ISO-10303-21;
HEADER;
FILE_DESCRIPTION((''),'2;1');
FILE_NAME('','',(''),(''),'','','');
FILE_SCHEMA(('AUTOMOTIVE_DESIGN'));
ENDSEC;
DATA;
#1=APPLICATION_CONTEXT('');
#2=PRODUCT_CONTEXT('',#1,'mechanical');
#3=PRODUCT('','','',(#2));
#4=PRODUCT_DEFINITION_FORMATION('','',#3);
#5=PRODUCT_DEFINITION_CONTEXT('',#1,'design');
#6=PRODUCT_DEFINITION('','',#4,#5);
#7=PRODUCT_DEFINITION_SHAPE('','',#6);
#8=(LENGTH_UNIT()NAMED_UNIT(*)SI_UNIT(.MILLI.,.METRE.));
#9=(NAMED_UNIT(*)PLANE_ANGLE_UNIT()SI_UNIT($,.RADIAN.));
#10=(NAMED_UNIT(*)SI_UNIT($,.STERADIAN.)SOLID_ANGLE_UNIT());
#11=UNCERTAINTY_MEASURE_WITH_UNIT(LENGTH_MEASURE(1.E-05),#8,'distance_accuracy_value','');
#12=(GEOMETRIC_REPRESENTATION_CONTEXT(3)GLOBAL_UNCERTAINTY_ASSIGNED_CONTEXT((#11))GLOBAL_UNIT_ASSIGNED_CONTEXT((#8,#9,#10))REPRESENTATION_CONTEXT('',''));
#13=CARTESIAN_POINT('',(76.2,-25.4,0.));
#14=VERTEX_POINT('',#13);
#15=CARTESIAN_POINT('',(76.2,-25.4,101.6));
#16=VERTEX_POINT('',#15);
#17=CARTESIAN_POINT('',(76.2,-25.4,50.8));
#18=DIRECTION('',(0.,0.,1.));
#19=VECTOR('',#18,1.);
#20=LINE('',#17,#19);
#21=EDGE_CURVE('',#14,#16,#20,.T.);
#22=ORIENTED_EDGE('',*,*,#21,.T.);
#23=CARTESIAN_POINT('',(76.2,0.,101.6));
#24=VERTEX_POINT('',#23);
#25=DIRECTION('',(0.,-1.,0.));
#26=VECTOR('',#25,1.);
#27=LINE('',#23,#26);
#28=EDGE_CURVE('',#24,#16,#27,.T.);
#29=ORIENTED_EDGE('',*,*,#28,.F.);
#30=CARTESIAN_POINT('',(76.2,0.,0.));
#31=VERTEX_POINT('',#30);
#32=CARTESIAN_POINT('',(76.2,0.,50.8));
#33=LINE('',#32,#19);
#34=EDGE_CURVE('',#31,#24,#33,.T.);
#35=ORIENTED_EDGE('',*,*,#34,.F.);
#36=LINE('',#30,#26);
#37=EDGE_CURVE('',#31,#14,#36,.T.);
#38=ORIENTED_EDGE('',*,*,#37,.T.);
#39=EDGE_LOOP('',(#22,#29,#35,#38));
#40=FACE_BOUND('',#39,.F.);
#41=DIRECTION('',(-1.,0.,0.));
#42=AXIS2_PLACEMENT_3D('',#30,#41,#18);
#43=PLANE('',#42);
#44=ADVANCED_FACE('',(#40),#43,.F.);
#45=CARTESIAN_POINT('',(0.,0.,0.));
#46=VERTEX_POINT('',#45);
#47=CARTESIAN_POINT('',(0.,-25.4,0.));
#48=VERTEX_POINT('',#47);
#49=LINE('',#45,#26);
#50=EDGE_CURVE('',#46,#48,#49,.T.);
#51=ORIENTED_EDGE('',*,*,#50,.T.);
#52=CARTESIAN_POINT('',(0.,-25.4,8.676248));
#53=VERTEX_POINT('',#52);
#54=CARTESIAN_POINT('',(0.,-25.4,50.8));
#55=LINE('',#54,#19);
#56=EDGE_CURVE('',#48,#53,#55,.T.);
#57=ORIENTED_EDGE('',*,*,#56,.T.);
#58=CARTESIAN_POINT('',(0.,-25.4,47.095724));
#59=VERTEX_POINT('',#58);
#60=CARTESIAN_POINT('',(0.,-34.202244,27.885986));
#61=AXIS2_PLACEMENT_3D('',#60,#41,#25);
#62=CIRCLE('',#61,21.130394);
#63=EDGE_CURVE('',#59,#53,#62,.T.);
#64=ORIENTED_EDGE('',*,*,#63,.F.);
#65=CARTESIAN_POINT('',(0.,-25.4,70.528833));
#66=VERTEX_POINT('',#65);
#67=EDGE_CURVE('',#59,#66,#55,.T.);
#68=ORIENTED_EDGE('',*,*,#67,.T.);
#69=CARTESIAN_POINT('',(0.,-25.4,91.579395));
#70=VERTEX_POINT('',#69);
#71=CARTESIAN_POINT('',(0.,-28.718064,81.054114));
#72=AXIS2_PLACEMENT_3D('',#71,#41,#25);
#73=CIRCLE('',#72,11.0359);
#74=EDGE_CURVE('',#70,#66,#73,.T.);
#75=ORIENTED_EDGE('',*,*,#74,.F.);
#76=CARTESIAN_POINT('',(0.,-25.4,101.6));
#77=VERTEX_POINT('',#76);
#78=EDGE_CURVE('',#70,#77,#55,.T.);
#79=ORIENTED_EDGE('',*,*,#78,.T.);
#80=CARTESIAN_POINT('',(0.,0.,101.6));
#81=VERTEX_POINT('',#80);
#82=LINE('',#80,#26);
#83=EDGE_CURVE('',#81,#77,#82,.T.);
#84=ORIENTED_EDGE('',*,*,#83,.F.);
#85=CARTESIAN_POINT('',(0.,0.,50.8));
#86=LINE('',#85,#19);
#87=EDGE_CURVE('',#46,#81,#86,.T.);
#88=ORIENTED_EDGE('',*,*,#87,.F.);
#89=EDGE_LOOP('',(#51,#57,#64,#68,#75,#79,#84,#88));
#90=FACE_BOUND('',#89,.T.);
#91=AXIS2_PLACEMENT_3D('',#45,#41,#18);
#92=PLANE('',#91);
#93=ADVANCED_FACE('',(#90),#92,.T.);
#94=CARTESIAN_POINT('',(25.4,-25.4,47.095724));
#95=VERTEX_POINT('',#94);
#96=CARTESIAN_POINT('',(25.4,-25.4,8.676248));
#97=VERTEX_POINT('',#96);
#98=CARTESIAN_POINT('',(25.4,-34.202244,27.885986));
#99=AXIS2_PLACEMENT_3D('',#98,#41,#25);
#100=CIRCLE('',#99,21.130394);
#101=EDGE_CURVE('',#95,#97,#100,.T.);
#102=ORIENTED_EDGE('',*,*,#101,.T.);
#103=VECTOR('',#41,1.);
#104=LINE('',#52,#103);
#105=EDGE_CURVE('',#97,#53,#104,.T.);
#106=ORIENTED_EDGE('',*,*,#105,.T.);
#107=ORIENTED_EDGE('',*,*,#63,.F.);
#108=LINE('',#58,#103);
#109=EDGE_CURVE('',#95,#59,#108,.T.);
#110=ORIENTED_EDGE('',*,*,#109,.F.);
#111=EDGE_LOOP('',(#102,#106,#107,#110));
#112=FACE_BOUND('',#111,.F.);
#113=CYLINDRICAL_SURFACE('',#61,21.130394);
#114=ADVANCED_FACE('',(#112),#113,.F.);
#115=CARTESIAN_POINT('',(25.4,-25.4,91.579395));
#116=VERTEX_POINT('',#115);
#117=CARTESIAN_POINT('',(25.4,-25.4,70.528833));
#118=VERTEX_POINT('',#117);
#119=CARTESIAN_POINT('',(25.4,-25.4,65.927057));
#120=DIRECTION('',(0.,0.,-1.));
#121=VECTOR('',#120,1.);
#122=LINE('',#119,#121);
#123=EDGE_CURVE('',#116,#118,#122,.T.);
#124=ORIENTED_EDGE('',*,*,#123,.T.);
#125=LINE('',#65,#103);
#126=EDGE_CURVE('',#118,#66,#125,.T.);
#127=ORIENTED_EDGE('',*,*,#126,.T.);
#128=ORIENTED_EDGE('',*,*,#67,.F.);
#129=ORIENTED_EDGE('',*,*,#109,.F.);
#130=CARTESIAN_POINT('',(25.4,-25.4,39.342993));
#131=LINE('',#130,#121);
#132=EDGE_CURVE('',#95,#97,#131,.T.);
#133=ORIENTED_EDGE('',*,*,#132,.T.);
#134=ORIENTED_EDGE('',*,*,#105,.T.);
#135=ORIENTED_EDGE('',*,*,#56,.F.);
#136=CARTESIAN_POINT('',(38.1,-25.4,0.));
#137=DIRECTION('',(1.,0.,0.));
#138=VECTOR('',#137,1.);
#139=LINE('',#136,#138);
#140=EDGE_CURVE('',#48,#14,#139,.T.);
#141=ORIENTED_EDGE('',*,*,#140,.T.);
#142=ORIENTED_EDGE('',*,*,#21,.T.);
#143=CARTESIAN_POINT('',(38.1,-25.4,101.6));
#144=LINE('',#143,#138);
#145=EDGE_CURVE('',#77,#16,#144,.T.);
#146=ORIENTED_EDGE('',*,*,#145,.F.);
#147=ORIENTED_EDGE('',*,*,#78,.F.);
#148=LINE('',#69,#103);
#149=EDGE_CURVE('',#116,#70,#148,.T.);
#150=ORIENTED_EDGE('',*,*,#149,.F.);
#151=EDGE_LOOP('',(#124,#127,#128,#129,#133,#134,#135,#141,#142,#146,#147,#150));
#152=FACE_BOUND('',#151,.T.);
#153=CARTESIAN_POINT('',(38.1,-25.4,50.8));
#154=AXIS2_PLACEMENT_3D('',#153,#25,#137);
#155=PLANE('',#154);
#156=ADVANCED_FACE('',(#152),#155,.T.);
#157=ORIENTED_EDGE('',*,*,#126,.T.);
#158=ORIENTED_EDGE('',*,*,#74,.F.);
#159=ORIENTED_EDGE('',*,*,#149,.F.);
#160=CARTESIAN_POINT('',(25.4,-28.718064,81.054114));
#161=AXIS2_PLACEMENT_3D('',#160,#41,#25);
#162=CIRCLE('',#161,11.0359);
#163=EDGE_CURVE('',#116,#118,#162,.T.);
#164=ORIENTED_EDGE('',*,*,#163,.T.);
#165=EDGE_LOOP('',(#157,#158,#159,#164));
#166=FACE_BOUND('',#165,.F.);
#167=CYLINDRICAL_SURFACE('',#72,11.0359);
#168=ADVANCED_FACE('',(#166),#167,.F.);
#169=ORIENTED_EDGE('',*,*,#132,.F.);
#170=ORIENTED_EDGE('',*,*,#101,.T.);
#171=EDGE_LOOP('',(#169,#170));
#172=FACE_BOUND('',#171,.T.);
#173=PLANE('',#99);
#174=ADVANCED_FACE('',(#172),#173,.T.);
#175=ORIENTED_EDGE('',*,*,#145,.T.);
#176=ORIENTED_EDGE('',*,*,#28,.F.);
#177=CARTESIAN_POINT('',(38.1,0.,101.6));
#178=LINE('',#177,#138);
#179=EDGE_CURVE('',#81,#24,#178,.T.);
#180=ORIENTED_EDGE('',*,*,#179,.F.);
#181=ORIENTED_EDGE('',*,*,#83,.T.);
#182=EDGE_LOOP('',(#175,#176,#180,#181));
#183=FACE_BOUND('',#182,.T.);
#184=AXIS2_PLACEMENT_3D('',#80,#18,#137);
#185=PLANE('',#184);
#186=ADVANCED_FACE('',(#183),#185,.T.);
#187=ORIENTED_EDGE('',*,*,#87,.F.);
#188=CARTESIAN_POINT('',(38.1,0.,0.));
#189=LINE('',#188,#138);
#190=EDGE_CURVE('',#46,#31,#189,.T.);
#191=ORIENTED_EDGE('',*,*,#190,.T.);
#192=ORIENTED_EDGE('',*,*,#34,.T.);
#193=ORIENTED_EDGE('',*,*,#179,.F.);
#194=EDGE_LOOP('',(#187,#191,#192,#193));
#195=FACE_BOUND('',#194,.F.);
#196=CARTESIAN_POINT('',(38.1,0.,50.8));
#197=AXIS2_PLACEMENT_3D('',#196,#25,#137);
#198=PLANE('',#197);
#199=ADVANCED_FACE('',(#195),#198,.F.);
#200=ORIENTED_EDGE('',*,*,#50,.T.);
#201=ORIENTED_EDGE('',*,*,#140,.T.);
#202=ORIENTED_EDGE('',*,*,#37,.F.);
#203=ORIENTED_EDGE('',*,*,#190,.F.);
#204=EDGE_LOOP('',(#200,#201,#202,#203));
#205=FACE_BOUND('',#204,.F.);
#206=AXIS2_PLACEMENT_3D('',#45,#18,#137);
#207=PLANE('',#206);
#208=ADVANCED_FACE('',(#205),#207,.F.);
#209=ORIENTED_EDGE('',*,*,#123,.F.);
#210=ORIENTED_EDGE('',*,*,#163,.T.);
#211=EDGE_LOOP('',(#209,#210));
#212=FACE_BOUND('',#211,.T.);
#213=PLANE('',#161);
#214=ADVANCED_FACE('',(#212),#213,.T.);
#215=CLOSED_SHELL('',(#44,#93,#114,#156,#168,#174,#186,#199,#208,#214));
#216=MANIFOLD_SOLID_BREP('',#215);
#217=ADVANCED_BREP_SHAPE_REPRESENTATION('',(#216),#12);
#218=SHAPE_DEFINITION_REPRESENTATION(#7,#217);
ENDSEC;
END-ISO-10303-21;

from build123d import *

# Parameters (mm, degrees)
F0_W     = 76.2
F0_H     = 101.6
F1_DEPTH = 25.4
F2_R     = 11.0359
F2_R_2   = 21.130394
F3_DEPTH = 25.4


with BuildPart() as f1:
    # F0 (on Front) → F1 (new body)
    with BuildSketch(Plane.XZ):
        with Locations((38.1, 50.8)):
            Rectangle(F0_W, F0_H)
    extrude(amount=F1_DEPTH)

    # F2 (on face) → F3 (cut)
    with BuildSketch(Plane(origin=(0, 0, 0), x_dir=(0, -1, 0), z_dir=(-1, 0, 0))):
        with Locations((28.718064, 81.054114)):
            Circle(F2_R)
        with Locations((34.202244, 27.885986)):
            Circle(F2_R_2)
    extrude(amount=-F3_DEPTH, mode=Mode.SUBTRACT)


solid = f1.part
